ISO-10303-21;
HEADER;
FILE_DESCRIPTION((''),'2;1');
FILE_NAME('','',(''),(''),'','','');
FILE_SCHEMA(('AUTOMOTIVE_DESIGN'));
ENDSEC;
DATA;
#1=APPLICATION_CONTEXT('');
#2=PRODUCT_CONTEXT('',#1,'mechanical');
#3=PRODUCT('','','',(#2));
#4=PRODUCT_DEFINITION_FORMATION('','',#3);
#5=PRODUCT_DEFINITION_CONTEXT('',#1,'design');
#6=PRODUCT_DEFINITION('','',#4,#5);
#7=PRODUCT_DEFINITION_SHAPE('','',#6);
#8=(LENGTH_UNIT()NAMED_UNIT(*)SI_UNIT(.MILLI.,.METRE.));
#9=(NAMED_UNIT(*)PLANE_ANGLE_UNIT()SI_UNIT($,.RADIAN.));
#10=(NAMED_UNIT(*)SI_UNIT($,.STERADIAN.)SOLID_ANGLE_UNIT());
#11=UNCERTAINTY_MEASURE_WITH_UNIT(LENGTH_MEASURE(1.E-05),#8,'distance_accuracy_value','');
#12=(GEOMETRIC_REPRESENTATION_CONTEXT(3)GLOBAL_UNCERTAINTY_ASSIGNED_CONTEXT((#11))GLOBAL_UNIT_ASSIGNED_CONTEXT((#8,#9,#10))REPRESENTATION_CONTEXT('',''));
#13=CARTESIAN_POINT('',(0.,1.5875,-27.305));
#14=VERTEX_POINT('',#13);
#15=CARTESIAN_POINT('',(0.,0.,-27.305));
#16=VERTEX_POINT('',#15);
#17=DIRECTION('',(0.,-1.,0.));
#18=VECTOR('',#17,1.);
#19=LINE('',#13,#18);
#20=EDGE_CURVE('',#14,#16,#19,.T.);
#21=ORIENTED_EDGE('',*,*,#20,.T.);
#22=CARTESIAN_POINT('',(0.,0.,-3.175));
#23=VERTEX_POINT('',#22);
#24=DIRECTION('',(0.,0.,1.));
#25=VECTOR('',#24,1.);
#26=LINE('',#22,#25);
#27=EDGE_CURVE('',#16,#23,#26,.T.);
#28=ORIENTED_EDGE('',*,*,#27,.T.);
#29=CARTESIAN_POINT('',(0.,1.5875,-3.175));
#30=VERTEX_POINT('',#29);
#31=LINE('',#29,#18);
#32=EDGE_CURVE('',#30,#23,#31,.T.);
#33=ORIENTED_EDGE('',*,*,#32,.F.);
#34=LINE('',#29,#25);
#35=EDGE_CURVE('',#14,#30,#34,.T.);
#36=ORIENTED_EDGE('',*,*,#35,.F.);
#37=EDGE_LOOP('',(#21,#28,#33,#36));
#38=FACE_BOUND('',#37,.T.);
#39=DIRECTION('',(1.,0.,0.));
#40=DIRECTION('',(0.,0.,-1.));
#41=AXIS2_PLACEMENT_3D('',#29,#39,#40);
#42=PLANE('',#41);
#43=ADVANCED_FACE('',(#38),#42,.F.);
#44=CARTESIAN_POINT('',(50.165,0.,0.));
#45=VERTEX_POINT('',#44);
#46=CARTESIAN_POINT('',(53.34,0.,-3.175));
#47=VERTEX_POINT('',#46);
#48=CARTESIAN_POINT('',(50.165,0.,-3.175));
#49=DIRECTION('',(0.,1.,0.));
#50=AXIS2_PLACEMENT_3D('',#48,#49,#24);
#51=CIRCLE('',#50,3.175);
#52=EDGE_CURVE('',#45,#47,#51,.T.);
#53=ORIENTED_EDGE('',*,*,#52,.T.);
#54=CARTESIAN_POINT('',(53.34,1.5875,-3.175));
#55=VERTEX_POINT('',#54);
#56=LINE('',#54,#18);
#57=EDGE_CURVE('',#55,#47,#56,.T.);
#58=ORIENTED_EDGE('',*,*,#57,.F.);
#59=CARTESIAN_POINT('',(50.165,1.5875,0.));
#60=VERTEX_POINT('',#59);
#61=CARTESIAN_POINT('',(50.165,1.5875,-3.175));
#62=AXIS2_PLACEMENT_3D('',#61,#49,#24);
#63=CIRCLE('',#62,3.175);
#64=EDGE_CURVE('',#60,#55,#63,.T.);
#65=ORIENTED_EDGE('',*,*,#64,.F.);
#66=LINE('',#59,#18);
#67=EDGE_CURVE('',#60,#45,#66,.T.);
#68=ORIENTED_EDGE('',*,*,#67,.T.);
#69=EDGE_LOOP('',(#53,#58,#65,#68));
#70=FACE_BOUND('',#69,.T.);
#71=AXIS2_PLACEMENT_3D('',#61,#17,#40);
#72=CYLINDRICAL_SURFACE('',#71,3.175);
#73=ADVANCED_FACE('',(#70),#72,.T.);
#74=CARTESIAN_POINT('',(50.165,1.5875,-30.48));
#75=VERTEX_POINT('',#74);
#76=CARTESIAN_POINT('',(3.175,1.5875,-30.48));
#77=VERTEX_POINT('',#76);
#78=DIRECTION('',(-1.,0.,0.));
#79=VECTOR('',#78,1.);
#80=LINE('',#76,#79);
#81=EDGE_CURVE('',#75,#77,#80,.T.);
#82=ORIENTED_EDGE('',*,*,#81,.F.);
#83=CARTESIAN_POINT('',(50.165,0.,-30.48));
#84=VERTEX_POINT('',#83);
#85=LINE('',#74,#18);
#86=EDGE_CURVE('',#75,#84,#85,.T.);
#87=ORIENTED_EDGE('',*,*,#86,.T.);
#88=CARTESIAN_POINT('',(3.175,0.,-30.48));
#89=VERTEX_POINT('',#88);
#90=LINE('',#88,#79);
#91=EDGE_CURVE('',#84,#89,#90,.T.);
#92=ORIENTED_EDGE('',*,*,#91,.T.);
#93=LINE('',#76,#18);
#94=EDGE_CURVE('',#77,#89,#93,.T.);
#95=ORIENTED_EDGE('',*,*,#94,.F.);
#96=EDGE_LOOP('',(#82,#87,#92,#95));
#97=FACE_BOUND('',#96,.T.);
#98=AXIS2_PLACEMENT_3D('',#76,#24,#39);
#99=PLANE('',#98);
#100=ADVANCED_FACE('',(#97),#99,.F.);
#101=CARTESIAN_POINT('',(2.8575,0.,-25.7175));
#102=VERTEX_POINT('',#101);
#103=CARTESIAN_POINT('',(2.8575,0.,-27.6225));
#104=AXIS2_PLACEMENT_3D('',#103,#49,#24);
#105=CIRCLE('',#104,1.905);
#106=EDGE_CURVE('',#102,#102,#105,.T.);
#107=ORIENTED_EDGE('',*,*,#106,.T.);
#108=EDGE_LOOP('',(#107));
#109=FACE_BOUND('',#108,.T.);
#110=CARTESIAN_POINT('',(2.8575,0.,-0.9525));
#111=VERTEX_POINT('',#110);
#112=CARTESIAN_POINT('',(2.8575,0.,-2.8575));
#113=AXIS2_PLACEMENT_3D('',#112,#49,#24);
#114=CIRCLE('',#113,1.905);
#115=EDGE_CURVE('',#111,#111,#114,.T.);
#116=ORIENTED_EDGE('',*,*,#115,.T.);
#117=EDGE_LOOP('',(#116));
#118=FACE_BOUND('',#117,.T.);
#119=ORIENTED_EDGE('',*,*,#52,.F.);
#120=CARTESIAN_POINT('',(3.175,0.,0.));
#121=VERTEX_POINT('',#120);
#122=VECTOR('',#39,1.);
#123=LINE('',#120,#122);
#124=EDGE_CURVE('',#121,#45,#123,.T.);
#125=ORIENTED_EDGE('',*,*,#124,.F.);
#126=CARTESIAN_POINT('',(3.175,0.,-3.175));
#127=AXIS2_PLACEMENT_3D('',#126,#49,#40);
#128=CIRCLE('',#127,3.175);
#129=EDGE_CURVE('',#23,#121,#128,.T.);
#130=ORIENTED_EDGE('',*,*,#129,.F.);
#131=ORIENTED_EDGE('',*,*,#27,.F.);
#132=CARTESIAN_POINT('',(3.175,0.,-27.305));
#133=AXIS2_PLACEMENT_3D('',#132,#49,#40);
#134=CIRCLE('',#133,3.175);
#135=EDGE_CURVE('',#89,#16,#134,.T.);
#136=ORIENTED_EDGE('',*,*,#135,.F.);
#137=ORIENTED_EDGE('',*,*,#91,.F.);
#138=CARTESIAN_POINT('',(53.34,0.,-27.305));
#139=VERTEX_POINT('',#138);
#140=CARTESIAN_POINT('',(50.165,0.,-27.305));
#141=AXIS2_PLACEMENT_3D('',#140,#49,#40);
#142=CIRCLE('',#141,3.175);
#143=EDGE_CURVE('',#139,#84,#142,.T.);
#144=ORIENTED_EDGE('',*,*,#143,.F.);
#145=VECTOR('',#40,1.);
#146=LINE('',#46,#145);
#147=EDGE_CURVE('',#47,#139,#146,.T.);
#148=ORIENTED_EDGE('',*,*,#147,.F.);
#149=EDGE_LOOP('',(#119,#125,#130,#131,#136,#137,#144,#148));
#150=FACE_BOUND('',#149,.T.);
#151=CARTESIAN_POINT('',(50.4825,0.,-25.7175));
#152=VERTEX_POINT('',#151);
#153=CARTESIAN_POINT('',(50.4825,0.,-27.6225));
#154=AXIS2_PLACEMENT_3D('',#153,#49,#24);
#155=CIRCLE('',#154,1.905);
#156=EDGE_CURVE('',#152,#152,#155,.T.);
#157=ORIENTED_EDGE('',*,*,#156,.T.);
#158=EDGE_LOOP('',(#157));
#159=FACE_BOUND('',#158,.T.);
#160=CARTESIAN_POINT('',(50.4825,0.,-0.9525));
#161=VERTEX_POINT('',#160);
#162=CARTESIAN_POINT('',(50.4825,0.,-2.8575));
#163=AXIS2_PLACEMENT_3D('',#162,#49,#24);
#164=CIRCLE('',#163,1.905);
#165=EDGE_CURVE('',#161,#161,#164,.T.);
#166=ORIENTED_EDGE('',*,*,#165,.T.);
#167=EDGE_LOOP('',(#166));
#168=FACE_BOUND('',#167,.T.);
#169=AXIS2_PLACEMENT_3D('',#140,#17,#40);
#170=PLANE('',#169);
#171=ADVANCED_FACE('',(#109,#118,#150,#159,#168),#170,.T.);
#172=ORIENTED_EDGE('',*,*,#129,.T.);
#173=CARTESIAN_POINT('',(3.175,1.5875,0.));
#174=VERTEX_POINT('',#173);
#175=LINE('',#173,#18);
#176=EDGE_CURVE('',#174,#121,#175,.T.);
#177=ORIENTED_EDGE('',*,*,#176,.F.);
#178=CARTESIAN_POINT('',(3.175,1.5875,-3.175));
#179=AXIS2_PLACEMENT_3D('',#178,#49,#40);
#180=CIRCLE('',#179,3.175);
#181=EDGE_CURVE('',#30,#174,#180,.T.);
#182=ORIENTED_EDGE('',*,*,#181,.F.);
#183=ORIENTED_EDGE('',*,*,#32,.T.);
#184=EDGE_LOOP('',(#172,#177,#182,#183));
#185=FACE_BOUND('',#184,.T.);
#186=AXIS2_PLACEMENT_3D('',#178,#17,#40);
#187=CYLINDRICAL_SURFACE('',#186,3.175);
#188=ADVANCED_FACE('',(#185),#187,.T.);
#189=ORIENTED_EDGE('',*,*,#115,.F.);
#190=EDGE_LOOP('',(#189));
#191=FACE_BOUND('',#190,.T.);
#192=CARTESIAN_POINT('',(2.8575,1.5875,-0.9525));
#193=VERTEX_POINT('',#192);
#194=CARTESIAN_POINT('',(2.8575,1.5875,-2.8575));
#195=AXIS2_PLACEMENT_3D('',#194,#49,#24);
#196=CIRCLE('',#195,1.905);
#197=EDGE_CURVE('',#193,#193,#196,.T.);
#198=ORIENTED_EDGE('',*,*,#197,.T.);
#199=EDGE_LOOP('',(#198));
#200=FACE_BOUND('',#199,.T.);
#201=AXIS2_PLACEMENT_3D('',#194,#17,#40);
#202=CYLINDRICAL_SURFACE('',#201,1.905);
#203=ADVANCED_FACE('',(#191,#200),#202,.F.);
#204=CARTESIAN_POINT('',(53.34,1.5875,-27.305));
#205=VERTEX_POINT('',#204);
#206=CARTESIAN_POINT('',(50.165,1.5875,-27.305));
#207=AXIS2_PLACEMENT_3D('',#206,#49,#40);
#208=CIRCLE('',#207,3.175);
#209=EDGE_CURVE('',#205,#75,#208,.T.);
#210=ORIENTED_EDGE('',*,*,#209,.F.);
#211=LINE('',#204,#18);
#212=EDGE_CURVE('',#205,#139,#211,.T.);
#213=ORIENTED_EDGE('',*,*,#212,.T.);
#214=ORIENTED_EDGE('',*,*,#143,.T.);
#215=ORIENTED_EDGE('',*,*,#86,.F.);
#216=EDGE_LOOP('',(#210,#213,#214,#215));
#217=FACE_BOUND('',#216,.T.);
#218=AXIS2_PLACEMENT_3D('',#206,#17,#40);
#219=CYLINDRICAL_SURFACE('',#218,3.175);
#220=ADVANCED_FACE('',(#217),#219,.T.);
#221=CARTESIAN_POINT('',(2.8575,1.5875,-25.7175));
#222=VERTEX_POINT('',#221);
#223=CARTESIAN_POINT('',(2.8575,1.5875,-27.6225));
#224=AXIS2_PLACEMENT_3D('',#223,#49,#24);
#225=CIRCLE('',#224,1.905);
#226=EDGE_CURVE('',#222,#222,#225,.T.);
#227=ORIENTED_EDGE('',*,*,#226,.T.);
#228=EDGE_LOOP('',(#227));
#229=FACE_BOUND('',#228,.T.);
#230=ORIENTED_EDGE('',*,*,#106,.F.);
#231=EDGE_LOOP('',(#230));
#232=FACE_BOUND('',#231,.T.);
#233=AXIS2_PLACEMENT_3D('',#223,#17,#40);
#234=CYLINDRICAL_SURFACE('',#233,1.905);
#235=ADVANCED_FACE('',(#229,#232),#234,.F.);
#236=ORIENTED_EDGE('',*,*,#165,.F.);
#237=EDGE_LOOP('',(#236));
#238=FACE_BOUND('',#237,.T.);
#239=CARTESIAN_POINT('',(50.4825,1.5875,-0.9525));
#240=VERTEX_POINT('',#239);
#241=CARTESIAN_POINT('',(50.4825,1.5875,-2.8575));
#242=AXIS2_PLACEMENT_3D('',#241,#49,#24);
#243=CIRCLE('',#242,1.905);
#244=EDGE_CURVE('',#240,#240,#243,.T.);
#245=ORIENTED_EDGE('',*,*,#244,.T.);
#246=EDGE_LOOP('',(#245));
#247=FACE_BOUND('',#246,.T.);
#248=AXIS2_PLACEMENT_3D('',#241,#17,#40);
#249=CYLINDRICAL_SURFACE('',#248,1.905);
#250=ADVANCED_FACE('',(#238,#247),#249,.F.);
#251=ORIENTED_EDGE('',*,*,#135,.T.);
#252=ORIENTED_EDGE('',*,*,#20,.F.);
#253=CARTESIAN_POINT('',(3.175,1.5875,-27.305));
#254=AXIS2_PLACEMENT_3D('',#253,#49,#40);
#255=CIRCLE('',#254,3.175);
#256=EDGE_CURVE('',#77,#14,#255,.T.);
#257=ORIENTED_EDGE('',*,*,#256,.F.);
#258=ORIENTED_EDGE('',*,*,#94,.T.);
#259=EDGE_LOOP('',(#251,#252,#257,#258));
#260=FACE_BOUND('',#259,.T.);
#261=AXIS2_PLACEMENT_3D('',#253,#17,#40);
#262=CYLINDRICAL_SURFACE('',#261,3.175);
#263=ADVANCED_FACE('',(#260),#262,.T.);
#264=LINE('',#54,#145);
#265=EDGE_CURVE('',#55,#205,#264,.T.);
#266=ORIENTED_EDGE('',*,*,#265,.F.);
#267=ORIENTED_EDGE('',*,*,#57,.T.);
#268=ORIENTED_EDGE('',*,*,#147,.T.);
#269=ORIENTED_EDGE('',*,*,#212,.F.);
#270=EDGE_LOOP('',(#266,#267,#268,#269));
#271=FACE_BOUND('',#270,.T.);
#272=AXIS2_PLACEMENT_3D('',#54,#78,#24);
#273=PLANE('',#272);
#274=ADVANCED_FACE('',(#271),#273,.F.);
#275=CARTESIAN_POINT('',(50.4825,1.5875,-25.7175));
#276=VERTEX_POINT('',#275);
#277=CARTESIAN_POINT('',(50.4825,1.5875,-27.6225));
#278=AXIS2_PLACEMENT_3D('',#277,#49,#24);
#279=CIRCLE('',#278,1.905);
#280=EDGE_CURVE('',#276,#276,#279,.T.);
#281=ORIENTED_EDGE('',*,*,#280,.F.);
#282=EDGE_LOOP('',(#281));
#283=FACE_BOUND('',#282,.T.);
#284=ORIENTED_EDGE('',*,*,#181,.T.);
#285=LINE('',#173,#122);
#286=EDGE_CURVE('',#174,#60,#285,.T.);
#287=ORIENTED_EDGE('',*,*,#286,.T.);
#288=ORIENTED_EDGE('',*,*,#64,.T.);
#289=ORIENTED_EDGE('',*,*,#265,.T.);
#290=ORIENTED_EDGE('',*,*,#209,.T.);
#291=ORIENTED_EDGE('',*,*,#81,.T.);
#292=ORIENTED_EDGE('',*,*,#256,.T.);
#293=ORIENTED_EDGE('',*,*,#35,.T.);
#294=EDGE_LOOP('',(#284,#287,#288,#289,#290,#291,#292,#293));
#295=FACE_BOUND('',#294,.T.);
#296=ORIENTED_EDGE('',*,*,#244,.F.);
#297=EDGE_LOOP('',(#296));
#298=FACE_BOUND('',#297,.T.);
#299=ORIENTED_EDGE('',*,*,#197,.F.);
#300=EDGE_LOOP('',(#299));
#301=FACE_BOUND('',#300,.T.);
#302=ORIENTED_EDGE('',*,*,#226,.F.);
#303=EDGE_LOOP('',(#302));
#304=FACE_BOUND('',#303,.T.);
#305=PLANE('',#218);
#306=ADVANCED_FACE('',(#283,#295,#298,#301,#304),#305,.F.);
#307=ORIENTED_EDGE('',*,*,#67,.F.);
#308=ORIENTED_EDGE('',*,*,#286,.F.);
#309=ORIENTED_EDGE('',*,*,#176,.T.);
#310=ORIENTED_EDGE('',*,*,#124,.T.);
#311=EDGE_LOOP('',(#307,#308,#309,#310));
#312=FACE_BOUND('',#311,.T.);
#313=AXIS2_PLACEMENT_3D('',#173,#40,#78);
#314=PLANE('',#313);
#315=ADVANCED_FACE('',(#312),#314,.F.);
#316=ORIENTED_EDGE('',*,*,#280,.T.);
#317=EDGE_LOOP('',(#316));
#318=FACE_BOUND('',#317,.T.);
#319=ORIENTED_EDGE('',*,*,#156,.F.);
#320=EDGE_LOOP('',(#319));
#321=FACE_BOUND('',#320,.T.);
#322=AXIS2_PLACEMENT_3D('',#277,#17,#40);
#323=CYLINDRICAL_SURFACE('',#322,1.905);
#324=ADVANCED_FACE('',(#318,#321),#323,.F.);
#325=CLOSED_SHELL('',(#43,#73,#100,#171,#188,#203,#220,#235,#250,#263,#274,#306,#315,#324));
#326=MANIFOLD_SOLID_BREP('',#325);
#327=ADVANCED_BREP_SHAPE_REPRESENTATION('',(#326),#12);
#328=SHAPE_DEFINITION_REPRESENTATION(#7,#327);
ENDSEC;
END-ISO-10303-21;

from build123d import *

# Parameters (mm, degrees)
SKETCH1_R           = 1.905
BOSS_EXTRUDE1_DEPTH = 1.5875


with BuildPart() as part:
    # Sketch1 → Boss-Extrude1 (new body)
    with BuildSketch(Plane(origin=(0, 0, 0), x_dir=(1, 0, 0), z_dir=(0, 1, 0))):
        with BuildLine():
            Line((3.175, 0), (50.165, 0))
            ThreePointArc((50.165, 0), (52.41006403, 0.92993597), (53.34, 3.175))
            Line((53.34, 3.175), (53.34, 27.305))
            ThreePointArc((53.34, 27.305), (52.41006403, 29.55006403), (50.165, 30.48))
            Line((50.165, 30.48), (3.175, 30.48))
            ThreePointArc((3.175, 30.48), (0.92993597, 29.55006403), (0, 27.305))
            Line((0, 27.305), (0, 3.175))
            ThreePointArc((0, 3.175), (0.92993597, 0.92993597), (3.175, 0))
        make_face()
        with Locations((2.8575, 2.8575)):
            Circle(SKETCH1_R, mode=Mode.SUBTRACT)
        with Locations((2.8575, 27.6225)):
            Circle(SKETCH1_R, mode=Mode.SUBTRACT)
        with Locations((50.4825, 27.6225)):
            Circle(SKETCH1_R, mode=Mode.SUBTRACT)
        with Locations((50.4825, 2.8575)):
            Circle(SKETCH1_R, mode=Mode.SUBTRACT)
    extrude(amount=BOSS_EXTRUDE1_DEPTH)


solid = part.part
